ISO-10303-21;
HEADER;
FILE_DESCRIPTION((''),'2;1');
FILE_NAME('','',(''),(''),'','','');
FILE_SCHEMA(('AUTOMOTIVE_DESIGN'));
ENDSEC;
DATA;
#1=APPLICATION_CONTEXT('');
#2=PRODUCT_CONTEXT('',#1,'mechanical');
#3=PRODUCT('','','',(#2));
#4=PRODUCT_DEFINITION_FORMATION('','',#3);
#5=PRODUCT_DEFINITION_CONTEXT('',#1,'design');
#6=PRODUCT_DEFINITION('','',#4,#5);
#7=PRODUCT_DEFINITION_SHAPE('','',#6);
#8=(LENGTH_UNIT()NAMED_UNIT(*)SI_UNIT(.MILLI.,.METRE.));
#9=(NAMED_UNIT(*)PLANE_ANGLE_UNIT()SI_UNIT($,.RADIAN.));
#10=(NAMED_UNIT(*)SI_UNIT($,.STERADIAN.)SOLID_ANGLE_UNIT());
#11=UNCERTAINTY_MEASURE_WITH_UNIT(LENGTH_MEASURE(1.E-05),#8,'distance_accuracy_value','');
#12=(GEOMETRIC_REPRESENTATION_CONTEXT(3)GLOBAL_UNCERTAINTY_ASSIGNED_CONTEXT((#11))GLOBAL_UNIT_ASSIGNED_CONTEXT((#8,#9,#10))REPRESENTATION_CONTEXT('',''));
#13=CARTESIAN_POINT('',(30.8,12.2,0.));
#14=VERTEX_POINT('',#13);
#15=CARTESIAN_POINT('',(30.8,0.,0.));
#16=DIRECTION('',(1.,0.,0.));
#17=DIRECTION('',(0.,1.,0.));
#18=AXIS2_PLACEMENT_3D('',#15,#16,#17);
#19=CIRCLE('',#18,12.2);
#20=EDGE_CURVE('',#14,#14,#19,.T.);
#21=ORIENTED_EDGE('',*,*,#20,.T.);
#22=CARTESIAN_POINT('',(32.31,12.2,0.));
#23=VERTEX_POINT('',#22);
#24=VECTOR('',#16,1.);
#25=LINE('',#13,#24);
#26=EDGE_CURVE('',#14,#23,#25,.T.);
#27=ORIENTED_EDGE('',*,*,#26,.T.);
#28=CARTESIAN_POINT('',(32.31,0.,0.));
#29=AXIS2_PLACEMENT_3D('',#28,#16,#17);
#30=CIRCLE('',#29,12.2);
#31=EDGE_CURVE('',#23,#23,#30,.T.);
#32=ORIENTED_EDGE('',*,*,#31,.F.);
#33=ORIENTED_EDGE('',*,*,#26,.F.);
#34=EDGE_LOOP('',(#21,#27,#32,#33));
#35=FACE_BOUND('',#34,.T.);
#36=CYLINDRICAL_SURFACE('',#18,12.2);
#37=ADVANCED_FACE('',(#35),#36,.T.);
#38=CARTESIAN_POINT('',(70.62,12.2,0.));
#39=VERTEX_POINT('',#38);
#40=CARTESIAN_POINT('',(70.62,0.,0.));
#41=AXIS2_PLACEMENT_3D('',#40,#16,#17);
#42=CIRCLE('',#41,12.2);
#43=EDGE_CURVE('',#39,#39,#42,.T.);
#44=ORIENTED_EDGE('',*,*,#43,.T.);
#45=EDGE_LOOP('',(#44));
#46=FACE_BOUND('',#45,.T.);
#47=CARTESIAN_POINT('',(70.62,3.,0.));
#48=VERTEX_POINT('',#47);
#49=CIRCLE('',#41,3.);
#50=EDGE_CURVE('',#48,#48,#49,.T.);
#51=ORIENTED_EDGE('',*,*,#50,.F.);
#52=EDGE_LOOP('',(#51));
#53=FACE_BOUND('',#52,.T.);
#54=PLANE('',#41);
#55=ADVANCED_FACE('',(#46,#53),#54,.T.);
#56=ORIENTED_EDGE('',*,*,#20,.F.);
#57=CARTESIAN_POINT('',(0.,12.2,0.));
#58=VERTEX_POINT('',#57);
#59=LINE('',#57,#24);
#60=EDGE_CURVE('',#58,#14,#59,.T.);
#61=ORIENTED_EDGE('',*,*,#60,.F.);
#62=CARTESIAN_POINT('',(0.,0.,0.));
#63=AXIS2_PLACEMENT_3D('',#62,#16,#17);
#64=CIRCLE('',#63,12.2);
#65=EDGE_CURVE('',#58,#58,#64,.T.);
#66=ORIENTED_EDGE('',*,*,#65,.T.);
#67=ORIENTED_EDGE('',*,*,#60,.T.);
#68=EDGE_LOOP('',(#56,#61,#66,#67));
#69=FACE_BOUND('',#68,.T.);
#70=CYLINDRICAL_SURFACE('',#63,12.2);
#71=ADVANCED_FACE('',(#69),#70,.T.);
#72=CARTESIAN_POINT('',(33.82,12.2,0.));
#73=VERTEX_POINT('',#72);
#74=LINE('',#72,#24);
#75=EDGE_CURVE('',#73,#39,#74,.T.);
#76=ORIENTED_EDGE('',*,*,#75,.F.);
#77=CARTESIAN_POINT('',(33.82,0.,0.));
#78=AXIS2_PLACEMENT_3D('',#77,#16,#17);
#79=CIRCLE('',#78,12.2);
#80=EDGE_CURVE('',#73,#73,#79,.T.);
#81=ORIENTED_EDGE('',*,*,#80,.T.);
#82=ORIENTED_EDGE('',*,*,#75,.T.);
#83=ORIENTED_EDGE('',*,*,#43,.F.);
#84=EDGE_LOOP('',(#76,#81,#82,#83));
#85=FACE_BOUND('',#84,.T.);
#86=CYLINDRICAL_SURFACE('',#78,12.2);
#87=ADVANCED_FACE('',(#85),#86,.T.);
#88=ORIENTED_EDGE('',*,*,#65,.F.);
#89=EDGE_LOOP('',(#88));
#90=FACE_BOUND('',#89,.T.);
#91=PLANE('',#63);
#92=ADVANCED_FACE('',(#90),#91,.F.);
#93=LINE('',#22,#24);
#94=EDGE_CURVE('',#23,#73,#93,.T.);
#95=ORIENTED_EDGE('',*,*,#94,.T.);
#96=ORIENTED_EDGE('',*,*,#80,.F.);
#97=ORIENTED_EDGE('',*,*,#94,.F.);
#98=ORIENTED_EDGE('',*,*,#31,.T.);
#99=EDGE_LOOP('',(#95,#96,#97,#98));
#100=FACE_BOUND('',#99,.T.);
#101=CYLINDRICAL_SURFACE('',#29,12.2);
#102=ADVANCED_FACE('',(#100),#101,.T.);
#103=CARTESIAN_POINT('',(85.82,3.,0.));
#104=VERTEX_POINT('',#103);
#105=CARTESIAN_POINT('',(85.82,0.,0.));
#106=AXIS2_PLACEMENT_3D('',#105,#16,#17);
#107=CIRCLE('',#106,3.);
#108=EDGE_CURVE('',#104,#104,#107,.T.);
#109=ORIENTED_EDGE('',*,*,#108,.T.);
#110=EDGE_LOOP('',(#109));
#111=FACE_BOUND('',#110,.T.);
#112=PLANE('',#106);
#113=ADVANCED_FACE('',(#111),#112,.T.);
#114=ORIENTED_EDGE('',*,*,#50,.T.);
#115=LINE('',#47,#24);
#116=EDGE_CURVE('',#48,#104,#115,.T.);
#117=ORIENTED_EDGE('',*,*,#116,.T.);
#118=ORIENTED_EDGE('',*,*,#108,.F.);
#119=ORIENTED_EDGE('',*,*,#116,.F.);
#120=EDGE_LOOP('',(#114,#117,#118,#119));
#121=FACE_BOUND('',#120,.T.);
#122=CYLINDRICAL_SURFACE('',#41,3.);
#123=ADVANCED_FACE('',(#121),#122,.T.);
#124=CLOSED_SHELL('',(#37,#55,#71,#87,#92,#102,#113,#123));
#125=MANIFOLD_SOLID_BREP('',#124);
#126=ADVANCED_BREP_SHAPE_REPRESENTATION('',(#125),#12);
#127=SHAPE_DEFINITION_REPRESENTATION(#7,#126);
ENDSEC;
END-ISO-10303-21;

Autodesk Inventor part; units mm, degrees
ref_plane "YZ Plane" through (0, 0, 0) normal (1, 0, 0) x (0, 1, 0)
ref_plane "XZ Plane" through (0, 0, 0) normal (0, 1, 0) x (-1, 0, 0)
ref_plane "XY Plane" through (0, 0, 0) normal (0, 0, 1) x (1, 0, 0)
sketch "Эскиз1" plane through (0, 0, 0) normal (0, 0, 1) x (1, 0, 0)
  line L0 (0, 0) -> (0, 12.2)
  line L1 (0, 12.2) -> (30.8, 12.2)
  line L2 (33.82, 12.2) -> (70.62, 12.2)
  line L3 (70.62, 12.2) -> (70.62, 3)
  line L4 (70.62, 3) -> (85.82, 3)
  line L5 (85.82, 3) -> (85.82, 0)
  line L6 (0, 0) -> (85.82, 0)
  line L7 (30.8, 12.2) -> (32.31, 12.2)
  line L8 (32.31, 12.2) -> (33.82, 12.2)
  dimension "d0" = 3
  dimension "d1" = 85.82
  dimension "d2" = 30.8
  dimension "d3" = 36.8
  dimension "d4" = 15.2
  dimension "d5" = 12.2
revolve "Вращение1" add sketch "Эскиз1" angle 360 about axis through (0, 0, 0) along (1, 0, 0)
properties part number "motor"
